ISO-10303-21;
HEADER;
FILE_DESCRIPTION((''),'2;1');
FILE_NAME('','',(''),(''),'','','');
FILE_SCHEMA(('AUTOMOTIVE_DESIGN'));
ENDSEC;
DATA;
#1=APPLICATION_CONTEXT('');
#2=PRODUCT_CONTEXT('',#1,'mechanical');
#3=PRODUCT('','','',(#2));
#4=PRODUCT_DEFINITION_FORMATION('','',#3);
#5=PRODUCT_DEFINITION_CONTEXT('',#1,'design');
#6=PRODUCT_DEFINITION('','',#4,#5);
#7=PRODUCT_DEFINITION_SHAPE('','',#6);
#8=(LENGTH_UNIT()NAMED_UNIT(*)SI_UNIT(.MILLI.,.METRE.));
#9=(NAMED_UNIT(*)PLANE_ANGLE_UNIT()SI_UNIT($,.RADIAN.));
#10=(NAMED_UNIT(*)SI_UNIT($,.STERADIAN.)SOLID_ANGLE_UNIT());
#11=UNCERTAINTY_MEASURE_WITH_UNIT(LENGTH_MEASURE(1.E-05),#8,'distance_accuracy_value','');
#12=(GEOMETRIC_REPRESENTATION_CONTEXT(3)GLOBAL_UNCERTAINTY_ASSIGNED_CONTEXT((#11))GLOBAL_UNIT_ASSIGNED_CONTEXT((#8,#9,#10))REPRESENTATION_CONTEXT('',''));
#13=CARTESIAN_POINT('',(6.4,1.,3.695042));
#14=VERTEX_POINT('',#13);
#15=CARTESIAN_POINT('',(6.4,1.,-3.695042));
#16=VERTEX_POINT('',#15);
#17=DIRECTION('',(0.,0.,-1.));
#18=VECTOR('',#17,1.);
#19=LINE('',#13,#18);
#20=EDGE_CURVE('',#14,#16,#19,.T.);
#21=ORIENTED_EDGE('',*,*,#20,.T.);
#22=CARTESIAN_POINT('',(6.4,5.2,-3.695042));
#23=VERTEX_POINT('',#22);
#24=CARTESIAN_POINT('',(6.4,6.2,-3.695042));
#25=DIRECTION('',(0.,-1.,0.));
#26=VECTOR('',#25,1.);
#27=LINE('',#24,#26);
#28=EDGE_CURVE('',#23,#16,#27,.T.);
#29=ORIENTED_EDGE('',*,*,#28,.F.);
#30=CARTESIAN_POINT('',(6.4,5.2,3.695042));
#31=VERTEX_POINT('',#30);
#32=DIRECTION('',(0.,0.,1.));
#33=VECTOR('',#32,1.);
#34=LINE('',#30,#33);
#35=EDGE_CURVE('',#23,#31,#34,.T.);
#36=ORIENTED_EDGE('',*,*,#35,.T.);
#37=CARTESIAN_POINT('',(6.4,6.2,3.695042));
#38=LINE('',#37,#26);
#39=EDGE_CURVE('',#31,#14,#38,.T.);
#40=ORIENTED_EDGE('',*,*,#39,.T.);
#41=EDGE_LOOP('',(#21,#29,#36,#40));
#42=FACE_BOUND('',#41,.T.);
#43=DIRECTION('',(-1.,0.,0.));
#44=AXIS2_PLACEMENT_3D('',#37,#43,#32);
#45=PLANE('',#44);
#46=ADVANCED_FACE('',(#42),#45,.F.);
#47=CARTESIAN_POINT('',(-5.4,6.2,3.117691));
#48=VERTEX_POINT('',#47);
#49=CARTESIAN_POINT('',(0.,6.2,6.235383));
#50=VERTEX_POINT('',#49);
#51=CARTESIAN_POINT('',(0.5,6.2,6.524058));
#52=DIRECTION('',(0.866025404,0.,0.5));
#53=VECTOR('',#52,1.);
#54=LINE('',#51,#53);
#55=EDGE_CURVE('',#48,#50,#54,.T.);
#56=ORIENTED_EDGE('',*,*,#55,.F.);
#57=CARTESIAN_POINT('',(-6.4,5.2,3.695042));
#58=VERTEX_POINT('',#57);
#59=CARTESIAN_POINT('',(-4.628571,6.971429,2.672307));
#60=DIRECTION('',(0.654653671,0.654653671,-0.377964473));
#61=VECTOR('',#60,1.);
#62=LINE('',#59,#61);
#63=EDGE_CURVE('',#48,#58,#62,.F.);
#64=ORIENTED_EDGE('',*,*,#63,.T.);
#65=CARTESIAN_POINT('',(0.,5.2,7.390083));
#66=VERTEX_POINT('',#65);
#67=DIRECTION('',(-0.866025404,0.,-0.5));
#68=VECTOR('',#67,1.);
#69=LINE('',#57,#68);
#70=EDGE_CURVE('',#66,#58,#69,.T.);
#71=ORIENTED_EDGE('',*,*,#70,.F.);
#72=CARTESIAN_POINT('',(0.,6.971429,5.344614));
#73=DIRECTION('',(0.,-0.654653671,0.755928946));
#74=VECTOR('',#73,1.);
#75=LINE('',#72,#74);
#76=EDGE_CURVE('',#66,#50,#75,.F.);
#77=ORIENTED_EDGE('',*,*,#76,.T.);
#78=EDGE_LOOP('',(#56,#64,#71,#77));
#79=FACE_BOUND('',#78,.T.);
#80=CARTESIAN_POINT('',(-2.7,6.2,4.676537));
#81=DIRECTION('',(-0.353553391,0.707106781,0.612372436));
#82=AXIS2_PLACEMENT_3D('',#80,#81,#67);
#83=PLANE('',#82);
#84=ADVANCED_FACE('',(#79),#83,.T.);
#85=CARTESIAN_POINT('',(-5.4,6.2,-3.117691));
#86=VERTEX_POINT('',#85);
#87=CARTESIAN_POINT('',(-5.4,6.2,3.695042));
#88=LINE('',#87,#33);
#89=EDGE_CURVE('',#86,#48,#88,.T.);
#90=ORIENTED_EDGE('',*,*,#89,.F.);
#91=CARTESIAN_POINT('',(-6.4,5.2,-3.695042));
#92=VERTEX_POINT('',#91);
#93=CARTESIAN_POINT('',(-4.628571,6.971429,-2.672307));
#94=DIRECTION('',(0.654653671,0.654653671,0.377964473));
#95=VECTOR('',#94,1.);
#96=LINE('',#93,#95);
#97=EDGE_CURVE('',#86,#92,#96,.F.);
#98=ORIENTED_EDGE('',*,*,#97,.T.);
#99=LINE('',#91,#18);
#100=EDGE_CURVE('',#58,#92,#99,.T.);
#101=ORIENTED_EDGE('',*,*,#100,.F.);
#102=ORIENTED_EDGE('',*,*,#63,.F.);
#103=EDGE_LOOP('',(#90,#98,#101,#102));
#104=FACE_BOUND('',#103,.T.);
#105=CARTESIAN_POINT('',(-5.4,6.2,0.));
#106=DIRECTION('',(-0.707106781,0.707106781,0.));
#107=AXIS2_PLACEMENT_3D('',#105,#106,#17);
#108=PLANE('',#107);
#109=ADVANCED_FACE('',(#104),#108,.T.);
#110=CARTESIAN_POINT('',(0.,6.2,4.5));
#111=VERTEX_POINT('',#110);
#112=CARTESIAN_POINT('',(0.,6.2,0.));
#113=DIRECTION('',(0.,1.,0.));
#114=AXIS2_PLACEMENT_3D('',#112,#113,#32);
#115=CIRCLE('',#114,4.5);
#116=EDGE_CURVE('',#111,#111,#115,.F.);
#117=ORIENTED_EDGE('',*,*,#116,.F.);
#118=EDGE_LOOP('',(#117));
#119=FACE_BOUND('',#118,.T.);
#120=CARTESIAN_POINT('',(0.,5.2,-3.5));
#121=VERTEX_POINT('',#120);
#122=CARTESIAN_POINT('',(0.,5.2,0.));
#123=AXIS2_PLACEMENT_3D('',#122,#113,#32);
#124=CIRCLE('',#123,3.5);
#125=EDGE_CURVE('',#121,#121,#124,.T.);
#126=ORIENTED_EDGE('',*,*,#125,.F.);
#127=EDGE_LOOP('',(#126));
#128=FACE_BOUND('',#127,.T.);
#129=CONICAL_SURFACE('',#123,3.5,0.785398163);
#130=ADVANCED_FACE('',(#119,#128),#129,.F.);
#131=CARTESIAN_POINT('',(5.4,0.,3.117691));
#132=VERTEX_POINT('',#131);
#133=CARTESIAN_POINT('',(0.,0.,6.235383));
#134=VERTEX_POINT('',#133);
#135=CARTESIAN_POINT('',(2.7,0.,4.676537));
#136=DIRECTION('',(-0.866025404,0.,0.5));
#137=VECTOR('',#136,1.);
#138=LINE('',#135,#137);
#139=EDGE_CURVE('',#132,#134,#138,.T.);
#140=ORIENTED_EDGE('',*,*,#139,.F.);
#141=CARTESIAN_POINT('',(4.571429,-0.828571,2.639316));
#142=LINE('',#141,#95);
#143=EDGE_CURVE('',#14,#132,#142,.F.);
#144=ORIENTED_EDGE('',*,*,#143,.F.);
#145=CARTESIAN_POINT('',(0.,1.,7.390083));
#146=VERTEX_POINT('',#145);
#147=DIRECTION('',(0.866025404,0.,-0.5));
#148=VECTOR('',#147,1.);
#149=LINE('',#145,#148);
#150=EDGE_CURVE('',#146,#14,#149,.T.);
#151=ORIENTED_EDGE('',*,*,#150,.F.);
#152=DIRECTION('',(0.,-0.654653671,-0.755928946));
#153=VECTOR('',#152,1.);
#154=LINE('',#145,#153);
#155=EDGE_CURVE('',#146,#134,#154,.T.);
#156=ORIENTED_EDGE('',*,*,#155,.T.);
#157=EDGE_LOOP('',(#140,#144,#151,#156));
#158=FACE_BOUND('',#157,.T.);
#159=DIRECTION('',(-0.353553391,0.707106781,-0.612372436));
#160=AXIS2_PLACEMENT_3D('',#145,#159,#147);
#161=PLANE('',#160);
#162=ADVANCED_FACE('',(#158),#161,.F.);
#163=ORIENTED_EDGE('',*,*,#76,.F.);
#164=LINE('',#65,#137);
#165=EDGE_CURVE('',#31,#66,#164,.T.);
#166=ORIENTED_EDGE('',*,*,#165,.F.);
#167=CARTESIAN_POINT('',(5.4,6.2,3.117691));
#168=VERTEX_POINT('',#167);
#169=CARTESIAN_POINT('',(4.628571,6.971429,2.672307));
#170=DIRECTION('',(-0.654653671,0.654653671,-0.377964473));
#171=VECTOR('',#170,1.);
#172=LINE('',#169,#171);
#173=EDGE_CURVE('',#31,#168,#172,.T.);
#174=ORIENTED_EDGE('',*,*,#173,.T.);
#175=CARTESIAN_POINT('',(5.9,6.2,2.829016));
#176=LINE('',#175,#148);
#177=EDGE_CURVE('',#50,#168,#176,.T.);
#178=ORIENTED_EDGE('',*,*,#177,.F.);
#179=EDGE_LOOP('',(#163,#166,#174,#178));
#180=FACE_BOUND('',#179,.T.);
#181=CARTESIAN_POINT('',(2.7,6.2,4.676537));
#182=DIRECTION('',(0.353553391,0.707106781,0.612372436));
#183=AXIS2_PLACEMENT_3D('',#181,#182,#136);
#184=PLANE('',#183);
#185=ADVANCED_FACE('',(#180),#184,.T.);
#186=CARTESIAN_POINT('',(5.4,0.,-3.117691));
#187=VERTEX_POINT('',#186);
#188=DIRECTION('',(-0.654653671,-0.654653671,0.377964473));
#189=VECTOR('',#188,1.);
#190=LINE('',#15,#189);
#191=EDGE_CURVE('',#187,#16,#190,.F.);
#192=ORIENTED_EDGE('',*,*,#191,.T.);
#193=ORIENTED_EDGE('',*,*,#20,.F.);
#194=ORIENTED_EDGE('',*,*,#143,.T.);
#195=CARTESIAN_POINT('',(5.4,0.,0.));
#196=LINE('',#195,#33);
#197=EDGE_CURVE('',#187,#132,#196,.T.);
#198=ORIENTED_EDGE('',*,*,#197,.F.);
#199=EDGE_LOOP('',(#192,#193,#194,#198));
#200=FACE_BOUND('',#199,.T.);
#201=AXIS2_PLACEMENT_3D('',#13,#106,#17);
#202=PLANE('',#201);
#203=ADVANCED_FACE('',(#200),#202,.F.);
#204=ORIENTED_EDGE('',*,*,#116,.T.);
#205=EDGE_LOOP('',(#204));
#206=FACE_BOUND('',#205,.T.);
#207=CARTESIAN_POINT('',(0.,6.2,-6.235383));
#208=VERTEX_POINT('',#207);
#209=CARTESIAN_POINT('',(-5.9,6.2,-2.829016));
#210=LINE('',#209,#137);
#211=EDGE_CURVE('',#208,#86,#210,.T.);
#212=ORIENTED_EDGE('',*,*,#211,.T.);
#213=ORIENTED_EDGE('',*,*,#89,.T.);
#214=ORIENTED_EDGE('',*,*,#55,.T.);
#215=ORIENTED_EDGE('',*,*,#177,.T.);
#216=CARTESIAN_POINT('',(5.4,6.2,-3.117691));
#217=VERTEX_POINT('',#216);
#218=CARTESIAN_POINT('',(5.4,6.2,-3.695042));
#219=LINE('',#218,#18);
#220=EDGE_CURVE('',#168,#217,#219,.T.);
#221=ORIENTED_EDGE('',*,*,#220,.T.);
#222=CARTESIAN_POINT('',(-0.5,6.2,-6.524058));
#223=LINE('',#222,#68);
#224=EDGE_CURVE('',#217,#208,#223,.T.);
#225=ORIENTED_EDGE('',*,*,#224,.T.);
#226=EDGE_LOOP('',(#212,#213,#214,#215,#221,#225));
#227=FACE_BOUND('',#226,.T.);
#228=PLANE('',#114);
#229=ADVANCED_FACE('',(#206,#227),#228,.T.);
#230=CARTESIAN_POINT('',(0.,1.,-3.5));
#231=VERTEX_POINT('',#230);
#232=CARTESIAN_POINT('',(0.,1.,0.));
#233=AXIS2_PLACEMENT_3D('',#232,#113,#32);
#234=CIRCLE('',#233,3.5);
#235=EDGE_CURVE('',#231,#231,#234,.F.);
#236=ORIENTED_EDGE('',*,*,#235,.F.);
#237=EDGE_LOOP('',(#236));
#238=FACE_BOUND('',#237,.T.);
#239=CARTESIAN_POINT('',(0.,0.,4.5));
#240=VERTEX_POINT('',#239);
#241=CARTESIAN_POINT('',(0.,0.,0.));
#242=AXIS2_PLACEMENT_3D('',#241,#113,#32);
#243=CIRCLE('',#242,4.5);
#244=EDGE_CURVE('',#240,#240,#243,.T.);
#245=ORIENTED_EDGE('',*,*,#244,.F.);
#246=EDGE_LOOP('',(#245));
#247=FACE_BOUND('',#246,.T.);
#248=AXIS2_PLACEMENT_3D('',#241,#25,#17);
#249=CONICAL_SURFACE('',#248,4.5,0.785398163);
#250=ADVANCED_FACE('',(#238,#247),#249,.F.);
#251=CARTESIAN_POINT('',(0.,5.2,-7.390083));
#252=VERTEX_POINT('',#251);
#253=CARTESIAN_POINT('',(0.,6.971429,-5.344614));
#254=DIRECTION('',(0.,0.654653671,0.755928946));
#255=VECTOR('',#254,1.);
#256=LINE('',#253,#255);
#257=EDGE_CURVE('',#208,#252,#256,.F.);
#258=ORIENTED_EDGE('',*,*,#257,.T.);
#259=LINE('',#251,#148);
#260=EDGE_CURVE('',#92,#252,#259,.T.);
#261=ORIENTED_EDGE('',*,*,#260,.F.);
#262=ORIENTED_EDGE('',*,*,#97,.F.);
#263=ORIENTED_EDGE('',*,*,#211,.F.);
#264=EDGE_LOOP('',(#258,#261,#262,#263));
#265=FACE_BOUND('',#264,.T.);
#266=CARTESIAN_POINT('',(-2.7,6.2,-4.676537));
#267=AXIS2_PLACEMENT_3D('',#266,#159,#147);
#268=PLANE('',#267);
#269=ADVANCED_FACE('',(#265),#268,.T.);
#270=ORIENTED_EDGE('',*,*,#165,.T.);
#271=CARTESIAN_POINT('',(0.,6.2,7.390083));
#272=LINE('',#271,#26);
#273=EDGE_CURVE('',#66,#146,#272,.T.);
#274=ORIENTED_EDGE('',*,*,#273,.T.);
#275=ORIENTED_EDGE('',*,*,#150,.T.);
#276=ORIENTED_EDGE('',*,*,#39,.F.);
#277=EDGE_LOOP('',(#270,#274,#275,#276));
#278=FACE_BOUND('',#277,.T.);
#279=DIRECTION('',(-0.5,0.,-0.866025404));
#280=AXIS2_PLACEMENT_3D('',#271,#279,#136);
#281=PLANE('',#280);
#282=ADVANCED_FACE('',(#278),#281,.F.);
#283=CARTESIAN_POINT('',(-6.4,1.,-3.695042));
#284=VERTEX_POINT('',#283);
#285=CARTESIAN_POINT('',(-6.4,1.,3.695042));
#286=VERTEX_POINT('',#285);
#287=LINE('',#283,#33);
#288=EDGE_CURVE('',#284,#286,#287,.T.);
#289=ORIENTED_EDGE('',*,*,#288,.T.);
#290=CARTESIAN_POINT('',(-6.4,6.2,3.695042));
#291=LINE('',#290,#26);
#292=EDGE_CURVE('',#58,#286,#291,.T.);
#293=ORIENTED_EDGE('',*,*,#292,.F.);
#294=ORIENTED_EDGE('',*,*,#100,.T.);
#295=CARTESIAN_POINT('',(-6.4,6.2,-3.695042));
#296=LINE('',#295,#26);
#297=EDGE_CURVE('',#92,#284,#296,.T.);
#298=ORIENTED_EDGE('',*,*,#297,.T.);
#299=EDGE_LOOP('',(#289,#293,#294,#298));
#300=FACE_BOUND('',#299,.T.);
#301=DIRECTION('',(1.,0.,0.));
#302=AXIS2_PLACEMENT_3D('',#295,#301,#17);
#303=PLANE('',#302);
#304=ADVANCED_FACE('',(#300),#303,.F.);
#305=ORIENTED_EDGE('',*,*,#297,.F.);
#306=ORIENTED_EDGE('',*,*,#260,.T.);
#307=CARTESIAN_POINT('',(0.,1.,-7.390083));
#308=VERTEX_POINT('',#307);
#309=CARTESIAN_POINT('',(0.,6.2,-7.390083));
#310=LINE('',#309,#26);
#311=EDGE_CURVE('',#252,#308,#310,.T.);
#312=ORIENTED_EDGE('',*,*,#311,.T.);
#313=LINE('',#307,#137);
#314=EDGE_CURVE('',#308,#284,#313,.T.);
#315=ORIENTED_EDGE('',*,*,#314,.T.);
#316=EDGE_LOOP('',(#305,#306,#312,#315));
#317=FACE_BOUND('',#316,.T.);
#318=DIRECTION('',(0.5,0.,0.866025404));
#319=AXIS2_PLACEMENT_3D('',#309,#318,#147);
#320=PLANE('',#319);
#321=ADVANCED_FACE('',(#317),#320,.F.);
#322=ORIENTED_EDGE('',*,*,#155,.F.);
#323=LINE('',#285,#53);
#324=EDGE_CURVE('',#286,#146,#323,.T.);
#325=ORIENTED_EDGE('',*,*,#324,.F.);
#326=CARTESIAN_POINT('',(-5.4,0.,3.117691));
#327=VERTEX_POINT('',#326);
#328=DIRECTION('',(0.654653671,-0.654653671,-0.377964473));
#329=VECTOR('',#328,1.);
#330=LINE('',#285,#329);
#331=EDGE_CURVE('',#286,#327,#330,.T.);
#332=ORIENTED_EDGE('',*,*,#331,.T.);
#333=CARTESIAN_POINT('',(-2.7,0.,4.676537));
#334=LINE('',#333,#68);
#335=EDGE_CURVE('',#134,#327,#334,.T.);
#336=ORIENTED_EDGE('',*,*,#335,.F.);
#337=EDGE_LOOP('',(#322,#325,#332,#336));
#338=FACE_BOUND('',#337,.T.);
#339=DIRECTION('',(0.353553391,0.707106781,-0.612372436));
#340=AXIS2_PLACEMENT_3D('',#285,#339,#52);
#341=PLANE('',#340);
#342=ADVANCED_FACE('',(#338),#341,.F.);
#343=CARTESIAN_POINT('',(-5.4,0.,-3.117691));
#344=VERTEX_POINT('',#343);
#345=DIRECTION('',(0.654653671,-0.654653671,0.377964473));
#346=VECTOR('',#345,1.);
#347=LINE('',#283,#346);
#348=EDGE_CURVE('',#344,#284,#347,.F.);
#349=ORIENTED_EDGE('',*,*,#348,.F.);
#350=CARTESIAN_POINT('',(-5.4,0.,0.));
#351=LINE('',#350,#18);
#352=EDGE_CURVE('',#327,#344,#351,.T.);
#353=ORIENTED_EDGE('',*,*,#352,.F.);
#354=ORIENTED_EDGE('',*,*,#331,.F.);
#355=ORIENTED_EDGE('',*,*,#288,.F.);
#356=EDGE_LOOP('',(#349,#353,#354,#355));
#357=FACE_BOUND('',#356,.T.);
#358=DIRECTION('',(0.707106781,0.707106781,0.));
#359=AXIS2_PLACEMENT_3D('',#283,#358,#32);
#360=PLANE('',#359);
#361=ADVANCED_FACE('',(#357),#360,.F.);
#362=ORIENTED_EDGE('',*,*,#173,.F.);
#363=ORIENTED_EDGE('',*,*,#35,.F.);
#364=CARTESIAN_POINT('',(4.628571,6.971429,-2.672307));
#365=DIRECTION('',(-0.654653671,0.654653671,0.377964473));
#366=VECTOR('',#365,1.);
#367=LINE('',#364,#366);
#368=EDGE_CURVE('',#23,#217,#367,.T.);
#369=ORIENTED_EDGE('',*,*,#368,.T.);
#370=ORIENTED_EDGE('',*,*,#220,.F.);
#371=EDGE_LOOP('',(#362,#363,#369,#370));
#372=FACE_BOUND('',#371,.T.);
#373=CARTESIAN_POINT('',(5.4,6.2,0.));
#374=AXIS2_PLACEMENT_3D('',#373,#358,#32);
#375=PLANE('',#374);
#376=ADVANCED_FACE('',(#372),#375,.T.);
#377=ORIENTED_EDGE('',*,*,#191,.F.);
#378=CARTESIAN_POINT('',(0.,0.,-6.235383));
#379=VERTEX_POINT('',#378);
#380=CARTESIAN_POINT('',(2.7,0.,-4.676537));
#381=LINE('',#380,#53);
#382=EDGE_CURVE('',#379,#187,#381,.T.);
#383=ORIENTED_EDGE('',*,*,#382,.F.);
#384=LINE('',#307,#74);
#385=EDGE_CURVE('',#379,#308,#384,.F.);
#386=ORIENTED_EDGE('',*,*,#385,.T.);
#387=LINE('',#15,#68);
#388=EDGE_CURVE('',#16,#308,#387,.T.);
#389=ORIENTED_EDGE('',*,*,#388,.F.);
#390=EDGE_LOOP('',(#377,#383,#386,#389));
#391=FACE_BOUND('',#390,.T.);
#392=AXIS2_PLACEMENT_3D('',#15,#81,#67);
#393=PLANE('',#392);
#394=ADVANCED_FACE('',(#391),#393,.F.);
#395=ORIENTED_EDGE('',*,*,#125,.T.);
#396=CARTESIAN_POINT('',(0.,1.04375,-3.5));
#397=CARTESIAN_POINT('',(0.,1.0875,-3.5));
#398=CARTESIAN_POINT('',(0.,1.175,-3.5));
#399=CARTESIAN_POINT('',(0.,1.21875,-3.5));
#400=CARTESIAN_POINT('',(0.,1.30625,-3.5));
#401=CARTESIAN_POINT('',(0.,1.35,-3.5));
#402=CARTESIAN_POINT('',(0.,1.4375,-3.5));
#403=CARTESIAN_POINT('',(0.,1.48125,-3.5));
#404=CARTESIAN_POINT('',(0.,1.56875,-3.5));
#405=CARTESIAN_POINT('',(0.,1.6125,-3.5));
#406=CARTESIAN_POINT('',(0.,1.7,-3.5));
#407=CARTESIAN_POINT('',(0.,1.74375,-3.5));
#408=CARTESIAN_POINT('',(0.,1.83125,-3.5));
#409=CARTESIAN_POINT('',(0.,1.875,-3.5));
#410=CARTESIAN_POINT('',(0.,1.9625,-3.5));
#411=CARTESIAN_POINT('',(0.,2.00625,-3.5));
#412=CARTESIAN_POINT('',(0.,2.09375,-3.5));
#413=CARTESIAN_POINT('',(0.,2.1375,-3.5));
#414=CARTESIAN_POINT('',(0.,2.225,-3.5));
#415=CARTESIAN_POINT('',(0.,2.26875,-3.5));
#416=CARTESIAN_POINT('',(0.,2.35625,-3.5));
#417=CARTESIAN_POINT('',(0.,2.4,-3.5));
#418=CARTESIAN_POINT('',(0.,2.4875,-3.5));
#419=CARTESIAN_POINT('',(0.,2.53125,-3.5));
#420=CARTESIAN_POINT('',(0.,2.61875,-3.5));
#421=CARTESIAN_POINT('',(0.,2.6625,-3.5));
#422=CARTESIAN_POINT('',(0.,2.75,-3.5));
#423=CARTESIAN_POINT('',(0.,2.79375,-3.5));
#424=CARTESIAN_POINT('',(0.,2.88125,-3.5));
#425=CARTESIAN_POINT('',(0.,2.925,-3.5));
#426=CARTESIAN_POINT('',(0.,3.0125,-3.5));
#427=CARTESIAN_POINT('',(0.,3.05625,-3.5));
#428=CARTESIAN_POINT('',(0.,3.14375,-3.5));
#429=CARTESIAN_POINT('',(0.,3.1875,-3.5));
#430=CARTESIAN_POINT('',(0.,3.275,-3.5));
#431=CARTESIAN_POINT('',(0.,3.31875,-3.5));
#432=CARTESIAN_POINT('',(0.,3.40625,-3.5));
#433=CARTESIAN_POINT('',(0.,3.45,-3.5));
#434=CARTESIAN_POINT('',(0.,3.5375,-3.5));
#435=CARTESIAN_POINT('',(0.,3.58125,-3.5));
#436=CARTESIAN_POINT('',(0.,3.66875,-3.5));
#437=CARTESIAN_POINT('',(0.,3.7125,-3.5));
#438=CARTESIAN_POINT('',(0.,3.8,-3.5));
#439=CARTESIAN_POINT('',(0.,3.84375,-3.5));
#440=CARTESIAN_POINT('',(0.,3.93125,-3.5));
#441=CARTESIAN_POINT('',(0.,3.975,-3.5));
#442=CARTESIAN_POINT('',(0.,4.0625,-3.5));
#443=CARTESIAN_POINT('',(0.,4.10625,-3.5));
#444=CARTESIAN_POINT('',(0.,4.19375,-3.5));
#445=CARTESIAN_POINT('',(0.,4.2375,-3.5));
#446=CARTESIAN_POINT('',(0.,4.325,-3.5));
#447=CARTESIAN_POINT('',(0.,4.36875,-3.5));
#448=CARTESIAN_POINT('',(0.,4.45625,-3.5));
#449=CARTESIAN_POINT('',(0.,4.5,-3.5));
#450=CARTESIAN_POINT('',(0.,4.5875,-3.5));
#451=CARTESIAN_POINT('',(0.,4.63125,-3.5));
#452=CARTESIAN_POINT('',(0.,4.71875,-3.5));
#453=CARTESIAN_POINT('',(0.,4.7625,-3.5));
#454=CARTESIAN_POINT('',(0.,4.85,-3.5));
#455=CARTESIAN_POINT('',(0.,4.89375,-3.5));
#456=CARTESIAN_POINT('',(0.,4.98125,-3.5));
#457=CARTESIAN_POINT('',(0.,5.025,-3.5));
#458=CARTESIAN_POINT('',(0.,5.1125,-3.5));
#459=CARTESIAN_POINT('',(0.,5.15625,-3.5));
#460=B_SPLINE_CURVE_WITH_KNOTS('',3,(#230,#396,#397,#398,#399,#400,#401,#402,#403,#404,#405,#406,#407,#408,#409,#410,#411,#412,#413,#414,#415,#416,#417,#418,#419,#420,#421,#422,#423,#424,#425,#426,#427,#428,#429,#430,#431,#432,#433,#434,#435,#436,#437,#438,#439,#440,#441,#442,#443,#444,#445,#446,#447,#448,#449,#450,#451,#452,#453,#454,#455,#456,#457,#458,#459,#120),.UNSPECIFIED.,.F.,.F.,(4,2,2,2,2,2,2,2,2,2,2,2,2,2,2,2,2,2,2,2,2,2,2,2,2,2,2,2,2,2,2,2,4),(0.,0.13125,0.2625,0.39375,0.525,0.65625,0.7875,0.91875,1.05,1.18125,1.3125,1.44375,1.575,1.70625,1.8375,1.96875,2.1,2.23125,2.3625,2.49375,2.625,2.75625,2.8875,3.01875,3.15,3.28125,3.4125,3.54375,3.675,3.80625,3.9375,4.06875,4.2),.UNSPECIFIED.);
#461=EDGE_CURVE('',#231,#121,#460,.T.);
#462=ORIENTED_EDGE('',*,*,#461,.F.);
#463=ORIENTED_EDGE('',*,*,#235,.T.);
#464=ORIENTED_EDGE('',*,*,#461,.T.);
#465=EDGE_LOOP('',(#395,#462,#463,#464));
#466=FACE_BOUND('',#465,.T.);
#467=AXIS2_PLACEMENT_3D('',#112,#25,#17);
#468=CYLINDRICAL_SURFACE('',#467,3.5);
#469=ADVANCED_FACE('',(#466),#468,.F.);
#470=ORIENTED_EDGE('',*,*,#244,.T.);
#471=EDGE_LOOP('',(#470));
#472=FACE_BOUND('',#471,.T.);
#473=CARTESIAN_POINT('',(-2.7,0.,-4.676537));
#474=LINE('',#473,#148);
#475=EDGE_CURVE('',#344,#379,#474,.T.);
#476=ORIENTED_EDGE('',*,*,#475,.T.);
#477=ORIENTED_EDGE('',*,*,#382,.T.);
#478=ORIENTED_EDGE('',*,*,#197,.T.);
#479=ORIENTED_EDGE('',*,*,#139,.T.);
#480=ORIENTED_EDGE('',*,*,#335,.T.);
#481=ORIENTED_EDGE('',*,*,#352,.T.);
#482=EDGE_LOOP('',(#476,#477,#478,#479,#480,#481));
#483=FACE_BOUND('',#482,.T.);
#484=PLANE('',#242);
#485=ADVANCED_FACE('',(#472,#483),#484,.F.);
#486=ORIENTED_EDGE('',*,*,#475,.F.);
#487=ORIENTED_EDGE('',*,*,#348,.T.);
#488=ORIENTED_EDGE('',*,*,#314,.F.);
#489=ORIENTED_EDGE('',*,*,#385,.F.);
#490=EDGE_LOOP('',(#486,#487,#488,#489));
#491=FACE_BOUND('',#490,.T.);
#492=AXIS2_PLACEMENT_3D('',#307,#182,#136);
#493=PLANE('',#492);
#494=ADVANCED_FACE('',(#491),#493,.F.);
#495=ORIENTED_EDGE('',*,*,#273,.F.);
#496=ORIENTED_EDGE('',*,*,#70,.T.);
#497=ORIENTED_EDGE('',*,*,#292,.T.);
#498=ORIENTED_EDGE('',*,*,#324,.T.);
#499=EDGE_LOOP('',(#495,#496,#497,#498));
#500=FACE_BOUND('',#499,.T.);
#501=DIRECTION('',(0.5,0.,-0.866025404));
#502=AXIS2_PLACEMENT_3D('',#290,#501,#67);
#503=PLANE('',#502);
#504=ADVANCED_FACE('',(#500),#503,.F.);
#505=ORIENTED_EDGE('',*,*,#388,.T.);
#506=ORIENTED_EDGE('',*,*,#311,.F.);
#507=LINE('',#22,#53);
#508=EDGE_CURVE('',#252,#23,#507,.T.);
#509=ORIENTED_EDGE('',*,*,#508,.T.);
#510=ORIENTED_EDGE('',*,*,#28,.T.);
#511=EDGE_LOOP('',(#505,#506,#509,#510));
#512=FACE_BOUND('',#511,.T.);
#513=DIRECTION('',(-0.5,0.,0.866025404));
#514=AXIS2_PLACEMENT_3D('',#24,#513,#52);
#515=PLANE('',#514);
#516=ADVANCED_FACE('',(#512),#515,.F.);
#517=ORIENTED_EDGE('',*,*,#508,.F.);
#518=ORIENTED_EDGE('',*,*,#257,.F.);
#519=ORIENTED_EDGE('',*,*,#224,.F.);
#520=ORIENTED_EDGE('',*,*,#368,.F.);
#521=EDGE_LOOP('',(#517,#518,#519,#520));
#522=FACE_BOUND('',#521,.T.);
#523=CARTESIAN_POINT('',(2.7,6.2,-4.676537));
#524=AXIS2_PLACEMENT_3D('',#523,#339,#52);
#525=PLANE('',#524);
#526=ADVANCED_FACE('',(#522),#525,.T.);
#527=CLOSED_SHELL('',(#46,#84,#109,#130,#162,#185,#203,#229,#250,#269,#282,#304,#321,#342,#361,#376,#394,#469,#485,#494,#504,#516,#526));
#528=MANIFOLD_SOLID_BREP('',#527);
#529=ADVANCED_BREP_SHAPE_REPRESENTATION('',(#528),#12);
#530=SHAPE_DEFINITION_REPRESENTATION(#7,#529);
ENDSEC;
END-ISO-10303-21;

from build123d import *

# Parameters (mm, degrees)
SKETCH1_R           = 3.5
BOSS_EXTRUDE1_DEPTH = 6.2
CHAMFER1_SIZE       = 1


with BuildPart() as part:
    # Sketch1 → Boss-Extrude1 (new body)
    with BuildSketch(Plane(origin=(0, 0, 0), x_dir=(1, 0, 0), z_dir=(0, 1, 0))):
        Polygon((6.4, -3.695041723), (6.4, 3.695041723), (0, 7.390083446), (-6.4, 3.695041723), (-6.4, -3.695041723), (0, -7.390083446), align=None)
        with Locations(Location((0, 0, 0), (0, 0, 90))):
            Circle(SKETCH1_R, mode=Mode.SUBTRACT)
    extrude(amount=BOSS_EXTRUDE1_DEPTH)

    # Chamfer1
    chamfer1_edges = [part.edges().sort_by_distance(p)[0] for p in [
        (3.2, 6.2, -5.542562584),
        (-3.2, 6.2, -5.542562584),
        (-6.4, 6.2, 0),
        (0, 0, 3.5),
        (0, 6.2, 3.5),
        (-3.2, 6.2, 5.542562584),
        (3.2, 6.2, 5.542562584),
        (-3.2, 0, 5.542562584),
        (-6.4, 0, 0),
        (-3.2, 0, -5.542562584),
        (6.4, 6.2, 0),
        (3.2, 0, -5.542562584),
        (6.4, 0, 0),
        (3.2, 0, 5.542562584),
    ]]
    chamfer(chamfer1_edges, length=CHAMFER1_SIZE)


solid = part.part
